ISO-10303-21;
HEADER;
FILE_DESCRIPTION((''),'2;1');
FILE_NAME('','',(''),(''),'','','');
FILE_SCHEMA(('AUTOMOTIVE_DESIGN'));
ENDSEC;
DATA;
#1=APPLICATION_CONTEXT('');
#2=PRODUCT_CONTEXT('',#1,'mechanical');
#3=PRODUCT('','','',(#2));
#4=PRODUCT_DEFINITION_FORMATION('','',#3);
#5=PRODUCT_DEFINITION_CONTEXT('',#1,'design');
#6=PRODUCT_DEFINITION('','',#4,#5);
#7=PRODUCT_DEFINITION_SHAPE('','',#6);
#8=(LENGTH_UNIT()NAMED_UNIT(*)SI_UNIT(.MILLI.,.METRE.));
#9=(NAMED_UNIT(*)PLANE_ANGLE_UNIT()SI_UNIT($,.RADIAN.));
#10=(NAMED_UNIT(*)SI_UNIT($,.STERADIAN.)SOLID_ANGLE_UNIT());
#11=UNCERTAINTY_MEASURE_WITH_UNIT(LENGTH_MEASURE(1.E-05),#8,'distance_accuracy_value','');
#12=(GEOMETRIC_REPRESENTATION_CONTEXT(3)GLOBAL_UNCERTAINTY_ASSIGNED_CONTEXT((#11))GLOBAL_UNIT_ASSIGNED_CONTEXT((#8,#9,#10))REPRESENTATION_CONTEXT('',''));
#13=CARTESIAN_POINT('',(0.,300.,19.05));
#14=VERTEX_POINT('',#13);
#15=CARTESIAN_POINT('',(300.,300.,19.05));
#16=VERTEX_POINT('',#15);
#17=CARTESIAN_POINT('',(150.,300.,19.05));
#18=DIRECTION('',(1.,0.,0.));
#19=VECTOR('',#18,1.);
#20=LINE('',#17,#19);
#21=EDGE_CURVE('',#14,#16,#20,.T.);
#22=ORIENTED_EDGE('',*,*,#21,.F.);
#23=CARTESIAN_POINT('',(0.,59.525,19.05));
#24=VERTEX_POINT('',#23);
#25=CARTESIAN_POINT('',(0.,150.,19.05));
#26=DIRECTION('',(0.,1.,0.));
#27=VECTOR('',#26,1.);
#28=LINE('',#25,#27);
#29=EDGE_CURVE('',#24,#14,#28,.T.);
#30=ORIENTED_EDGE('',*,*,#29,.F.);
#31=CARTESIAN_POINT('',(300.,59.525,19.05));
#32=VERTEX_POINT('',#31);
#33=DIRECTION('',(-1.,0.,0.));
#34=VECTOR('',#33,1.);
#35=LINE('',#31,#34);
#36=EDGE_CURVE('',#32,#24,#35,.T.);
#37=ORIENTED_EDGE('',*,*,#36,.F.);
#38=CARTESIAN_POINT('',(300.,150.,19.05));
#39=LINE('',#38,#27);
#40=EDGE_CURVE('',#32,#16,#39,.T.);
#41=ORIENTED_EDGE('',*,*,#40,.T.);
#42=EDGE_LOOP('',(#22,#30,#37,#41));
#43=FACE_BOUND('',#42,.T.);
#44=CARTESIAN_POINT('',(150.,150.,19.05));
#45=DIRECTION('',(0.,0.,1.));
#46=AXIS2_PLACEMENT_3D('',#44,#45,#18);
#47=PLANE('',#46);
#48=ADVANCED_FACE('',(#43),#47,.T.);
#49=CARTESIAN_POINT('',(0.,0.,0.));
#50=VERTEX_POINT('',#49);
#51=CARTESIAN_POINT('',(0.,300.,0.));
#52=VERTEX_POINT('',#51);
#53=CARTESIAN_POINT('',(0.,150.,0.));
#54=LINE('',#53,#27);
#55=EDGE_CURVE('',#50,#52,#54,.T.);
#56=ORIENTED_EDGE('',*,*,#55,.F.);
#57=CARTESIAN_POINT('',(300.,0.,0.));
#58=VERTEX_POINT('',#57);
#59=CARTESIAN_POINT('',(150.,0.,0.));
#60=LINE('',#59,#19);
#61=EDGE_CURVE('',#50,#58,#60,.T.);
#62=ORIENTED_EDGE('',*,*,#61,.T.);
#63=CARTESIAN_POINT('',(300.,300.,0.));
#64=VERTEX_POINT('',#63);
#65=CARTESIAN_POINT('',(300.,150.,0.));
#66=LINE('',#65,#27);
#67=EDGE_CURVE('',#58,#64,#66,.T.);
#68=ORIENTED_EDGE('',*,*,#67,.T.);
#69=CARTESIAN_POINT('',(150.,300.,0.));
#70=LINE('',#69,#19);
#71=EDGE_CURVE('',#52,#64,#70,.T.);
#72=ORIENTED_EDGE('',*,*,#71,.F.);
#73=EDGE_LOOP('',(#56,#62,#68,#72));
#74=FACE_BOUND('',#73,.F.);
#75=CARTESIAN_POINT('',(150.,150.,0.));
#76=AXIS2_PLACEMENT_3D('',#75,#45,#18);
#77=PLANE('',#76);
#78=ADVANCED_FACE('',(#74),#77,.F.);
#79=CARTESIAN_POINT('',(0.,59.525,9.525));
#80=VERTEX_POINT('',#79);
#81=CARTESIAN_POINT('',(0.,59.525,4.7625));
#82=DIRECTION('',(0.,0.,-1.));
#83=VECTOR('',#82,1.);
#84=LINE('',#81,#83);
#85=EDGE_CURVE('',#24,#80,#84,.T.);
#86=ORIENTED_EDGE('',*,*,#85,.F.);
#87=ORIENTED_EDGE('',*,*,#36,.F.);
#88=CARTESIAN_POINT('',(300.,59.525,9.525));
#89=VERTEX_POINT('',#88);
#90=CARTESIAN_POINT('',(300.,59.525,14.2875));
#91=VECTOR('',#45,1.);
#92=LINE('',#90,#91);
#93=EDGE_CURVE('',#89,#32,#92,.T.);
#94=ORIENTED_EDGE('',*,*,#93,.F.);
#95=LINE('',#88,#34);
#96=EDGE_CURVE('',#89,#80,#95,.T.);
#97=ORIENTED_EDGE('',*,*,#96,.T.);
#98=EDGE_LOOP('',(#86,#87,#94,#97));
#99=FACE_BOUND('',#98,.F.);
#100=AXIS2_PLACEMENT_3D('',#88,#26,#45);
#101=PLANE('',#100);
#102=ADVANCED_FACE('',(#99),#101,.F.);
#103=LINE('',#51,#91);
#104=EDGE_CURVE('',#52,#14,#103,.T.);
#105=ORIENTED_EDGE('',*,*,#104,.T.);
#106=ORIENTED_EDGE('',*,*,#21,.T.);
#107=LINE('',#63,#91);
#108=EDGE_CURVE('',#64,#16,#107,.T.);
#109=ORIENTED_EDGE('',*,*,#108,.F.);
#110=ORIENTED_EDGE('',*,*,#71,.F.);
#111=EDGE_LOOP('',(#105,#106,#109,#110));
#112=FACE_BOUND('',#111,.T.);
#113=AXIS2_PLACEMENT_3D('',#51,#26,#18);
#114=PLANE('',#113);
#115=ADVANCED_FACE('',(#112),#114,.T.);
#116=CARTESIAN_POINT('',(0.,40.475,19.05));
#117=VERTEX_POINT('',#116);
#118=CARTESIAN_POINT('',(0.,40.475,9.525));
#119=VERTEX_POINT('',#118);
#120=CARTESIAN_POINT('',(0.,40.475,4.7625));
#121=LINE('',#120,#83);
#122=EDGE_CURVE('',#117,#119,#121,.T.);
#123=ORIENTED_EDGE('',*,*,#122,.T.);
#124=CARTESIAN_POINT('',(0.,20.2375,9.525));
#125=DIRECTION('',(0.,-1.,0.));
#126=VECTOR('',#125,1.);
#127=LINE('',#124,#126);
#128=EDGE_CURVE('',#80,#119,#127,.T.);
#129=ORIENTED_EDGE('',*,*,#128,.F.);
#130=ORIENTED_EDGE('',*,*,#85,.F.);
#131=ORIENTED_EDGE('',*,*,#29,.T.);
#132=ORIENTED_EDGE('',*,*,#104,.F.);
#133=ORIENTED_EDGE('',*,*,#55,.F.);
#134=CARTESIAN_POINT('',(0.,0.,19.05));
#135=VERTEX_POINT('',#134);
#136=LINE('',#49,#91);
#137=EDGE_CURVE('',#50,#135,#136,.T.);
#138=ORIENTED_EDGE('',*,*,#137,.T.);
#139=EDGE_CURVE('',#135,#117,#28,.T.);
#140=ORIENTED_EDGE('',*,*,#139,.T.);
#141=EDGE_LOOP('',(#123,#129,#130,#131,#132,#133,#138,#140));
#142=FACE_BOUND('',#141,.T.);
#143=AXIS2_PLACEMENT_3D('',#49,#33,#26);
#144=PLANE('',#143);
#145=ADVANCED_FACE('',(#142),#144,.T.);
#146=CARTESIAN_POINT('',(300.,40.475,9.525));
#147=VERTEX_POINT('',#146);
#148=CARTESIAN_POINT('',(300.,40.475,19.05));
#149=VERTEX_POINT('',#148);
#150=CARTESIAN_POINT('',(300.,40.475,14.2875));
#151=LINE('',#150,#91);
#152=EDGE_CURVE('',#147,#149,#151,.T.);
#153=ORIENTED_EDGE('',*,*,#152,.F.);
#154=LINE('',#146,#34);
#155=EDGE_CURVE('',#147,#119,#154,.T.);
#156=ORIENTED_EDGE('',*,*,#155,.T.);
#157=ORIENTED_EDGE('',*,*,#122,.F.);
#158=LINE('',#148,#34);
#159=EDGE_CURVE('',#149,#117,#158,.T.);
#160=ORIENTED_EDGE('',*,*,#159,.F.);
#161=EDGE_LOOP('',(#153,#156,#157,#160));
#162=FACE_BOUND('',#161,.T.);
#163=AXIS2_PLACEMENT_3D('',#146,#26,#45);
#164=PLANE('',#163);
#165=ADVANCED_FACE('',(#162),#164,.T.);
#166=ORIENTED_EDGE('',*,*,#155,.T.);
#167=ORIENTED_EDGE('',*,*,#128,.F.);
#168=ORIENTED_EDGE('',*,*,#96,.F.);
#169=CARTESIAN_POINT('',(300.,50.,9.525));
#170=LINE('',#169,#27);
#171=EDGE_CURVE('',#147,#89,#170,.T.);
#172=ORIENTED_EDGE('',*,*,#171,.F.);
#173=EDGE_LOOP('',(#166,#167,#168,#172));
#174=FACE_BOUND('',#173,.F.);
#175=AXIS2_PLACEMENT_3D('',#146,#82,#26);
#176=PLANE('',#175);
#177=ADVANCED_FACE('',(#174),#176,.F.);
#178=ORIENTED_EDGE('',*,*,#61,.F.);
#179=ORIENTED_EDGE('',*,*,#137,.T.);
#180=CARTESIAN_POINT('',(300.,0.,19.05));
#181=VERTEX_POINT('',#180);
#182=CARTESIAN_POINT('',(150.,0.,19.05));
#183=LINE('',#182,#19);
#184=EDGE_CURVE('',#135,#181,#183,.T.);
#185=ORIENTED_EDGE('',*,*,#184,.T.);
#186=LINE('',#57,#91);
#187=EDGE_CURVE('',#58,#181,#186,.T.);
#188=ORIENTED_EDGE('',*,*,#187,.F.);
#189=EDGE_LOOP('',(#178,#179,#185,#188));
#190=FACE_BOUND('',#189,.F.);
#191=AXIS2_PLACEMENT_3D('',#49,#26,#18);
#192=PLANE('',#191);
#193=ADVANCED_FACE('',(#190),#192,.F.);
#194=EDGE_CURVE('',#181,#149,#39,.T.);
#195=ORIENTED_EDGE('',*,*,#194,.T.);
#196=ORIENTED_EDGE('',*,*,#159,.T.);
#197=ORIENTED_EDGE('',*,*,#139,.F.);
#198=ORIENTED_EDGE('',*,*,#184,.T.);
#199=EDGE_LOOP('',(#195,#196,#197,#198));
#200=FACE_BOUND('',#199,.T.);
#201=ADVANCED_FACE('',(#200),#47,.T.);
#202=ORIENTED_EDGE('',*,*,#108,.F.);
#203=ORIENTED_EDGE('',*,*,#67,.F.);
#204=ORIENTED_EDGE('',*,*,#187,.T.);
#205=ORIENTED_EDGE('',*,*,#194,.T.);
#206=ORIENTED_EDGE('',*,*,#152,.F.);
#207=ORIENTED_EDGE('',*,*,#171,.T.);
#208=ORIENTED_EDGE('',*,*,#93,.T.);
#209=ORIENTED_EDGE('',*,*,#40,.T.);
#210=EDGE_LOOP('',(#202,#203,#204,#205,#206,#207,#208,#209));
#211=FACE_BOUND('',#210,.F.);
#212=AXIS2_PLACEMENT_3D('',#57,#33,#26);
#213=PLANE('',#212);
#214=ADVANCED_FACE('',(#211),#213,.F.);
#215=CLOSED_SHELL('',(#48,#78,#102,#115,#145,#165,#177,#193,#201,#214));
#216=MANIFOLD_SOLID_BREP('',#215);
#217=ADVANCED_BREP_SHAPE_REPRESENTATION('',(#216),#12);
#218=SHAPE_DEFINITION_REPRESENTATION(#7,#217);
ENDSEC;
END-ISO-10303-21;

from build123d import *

# Parameters (mm, degrees)
SKETCH_W     = 300
SKETCH_H     = 300
PAD_DEPTH    = 19.05
SKETCH001_W  = 19.05
SKETCH001_H  = 9.525
POCKET_DEPTH = 300.001


with BuildPart() as part:
    # Sketch → Pad (new body)
    with BuildSketch(Plane.XY):
        with Locations((150, 150)):
            Rectangle(SKETCH_W, SKETCH_H)
    extrude(amount=PAD_DEPTH)

    # Sketch001 (on Face2 of Pad) → Pocket (cut, through all)
    with BuildSketch(Plane.YZ.offset(300)):
        with Locations((50, 14.2875)):
            Rectangle(SKETCH001_W, SKETCH001_H)
    extrude(amount=-POCKET_DEPTH, mode=Mode.SUBTRACT)


solid = part.part
